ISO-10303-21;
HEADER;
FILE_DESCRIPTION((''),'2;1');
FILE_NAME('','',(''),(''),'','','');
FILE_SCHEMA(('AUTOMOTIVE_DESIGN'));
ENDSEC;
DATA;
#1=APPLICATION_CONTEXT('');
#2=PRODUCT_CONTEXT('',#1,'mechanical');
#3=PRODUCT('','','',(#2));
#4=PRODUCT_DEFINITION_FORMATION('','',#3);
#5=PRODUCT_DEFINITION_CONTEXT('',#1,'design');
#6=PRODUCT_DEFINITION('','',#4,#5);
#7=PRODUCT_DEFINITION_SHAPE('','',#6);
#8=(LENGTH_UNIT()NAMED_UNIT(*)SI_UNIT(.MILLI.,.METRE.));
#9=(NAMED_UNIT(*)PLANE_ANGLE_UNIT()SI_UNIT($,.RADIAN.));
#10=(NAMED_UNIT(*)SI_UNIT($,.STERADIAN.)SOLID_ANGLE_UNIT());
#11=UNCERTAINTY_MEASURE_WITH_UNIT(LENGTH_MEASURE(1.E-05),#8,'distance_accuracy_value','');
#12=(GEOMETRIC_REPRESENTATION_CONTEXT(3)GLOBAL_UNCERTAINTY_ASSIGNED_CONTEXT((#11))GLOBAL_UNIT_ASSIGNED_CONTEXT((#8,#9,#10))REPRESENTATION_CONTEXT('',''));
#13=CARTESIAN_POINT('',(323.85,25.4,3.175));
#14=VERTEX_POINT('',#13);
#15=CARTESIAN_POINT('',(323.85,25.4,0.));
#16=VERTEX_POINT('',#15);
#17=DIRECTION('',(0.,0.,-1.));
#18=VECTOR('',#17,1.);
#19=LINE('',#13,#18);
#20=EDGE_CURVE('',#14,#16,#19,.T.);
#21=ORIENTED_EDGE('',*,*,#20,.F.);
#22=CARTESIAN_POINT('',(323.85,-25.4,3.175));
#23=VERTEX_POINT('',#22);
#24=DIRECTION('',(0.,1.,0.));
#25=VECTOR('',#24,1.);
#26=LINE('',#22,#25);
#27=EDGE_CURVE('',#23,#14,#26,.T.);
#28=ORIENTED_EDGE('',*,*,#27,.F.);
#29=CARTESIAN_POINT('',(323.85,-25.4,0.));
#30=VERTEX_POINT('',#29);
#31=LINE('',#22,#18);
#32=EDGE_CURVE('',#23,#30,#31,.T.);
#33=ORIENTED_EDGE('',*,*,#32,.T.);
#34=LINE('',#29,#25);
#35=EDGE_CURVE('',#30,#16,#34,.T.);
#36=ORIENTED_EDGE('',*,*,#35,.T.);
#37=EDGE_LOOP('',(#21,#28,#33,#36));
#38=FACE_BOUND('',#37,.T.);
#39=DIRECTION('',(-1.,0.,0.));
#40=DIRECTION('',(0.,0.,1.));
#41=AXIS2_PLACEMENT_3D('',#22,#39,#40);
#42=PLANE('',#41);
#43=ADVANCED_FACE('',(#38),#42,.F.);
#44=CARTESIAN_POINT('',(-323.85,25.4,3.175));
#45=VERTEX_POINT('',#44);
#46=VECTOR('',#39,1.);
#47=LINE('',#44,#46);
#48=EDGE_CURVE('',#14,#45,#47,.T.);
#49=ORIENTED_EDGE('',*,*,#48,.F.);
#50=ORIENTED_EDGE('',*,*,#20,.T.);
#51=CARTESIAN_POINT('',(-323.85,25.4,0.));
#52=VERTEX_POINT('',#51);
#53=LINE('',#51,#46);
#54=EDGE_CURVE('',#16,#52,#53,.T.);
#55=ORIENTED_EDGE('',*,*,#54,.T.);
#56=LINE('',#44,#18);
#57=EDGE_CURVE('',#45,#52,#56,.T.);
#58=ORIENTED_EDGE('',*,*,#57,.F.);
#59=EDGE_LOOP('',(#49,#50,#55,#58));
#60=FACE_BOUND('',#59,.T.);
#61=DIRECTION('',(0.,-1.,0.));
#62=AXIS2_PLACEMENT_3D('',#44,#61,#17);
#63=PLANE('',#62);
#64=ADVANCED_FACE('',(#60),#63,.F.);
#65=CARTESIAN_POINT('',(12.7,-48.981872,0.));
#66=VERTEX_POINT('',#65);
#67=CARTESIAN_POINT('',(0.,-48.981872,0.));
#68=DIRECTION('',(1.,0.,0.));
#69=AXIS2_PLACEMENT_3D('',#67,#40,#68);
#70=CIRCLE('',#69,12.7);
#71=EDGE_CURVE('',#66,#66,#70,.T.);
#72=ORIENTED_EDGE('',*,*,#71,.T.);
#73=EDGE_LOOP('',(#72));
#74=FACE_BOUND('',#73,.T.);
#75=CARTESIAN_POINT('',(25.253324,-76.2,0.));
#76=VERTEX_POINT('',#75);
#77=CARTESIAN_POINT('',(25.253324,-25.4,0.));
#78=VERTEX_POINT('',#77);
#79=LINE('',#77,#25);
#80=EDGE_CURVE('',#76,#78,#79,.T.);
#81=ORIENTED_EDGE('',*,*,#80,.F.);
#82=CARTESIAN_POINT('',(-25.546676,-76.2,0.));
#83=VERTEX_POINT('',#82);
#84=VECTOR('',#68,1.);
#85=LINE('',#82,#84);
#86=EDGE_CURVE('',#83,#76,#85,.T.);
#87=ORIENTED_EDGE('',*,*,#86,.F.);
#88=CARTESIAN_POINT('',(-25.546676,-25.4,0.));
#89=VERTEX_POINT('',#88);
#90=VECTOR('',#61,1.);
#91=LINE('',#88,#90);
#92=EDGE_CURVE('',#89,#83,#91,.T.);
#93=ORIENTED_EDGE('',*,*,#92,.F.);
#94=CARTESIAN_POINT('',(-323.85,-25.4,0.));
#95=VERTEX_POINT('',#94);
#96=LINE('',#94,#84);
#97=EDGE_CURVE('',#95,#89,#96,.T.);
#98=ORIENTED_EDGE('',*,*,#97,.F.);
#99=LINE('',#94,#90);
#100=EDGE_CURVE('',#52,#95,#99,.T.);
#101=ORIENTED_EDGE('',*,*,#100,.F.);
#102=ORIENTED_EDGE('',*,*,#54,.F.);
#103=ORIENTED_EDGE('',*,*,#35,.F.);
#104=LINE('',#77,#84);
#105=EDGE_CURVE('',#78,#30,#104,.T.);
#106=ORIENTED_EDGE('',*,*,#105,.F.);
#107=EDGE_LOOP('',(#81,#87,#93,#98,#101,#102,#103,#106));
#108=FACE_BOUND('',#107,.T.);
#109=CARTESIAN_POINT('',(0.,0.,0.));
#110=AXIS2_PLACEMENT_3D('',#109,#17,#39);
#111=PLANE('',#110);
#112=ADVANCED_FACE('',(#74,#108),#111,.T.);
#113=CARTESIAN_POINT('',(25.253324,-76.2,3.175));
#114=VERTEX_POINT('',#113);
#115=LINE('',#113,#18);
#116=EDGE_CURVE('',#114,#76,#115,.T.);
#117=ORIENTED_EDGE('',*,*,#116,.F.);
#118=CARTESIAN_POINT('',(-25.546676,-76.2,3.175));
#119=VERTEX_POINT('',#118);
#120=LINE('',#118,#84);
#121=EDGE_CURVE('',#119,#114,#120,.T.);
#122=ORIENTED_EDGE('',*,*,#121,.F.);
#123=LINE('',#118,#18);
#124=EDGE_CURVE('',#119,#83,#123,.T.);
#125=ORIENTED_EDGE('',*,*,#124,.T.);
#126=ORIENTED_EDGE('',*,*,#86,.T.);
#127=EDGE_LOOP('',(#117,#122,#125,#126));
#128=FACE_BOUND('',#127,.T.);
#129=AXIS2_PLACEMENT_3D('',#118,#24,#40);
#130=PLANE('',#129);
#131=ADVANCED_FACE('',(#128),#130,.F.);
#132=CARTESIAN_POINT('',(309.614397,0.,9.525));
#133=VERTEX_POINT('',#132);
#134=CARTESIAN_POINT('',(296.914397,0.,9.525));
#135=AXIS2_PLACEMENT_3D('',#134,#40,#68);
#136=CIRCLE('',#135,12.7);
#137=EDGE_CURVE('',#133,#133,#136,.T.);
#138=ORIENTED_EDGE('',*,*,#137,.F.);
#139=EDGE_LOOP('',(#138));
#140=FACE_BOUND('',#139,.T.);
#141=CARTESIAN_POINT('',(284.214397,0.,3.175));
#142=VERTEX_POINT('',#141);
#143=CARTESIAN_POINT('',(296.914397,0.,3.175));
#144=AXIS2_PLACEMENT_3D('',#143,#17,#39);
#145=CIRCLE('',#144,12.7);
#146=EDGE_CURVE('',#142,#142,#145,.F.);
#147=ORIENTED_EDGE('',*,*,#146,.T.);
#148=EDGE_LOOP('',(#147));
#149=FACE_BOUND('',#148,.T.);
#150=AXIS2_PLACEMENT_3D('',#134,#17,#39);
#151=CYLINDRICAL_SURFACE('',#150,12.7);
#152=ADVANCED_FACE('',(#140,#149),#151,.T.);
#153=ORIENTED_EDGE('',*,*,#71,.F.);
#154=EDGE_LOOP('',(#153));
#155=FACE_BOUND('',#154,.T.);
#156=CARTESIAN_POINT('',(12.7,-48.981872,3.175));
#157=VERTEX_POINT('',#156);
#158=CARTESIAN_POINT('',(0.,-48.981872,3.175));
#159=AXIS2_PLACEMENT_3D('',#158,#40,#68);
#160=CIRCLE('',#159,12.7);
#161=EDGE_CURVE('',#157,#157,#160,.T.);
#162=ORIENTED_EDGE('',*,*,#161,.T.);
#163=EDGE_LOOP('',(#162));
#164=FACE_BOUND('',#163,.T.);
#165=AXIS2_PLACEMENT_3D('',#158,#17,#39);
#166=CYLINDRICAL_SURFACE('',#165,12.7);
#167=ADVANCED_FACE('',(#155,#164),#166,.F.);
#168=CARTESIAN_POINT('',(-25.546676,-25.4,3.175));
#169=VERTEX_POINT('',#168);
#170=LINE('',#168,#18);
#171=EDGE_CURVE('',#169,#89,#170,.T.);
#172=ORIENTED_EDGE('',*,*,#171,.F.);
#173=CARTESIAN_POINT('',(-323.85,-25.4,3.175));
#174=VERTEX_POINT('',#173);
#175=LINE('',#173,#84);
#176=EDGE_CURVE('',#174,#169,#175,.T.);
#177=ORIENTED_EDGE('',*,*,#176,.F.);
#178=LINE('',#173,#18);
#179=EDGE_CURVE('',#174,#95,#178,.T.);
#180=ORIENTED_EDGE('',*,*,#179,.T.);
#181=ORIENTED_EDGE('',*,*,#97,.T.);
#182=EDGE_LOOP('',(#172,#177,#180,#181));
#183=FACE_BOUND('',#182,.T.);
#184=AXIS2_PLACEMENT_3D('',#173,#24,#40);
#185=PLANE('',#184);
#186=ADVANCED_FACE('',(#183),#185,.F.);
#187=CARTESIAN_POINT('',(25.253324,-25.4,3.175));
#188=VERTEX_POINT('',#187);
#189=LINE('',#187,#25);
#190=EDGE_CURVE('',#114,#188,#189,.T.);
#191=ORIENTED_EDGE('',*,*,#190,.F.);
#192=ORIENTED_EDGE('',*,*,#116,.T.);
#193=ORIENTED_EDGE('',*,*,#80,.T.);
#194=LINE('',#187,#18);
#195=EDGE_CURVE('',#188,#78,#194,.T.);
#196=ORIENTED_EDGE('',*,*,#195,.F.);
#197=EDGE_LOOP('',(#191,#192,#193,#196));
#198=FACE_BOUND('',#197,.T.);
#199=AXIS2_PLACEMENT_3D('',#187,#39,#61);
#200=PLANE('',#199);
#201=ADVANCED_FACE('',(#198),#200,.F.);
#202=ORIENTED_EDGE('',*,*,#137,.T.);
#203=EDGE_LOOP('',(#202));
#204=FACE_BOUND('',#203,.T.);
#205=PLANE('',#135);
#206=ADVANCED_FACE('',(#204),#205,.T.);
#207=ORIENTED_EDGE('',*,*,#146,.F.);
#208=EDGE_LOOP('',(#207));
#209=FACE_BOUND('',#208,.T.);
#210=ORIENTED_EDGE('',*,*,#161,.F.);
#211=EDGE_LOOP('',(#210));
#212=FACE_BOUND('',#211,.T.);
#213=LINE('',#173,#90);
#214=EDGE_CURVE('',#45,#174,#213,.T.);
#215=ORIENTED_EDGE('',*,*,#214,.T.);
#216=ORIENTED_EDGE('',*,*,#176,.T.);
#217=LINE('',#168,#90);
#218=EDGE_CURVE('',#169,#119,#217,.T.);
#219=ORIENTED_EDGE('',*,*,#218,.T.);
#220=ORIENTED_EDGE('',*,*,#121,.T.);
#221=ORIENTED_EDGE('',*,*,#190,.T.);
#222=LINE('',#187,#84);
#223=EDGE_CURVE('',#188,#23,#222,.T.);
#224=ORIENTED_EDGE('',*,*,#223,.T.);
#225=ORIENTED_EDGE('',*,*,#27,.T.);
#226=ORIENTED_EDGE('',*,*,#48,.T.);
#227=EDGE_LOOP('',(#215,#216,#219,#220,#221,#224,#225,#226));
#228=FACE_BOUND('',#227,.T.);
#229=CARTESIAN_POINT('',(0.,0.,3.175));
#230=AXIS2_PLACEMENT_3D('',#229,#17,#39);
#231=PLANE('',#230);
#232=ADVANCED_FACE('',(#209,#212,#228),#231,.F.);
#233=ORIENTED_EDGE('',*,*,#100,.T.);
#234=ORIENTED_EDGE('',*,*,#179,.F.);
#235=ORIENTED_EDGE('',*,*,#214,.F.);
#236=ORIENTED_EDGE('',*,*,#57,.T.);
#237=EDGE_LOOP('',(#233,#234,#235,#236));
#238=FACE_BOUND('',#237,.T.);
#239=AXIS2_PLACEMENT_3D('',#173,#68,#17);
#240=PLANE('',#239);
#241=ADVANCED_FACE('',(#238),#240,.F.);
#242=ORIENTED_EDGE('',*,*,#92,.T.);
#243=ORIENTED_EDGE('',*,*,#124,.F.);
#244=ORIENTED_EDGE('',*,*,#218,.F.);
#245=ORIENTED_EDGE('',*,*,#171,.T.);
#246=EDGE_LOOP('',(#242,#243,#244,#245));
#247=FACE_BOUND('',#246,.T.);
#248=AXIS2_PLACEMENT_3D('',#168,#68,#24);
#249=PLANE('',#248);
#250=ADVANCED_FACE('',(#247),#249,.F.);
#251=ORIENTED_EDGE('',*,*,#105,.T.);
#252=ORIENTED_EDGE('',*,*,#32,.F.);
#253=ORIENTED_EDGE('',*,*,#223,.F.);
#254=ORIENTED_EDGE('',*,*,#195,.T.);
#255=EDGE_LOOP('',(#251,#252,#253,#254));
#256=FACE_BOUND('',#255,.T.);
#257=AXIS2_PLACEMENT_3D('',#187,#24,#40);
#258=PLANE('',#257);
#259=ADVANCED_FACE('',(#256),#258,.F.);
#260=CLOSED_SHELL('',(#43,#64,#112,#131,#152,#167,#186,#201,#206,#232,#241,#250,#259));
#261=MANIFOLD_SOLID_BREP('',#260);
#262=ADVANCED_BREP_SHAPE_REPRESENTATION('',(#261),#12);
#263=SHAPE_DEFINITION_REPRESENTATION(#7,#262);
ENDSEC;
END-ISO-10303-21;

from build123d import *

# Parameters (mm, degrees)
SKETCH1_R           = 12.7
BOSS_EXTRUDE1_DEPTH = 3.175
SKETCH2_R           = 12.7
BOSS_EXTRUDE2_DEPTH = 6.35


with BuildPart() as part:
    # Sketch1 → Boss-Extrude1 (new body)
    with BuildSketch(Plane.XY):
        Polygon((-323.85, -25.4), (-25.546675569, -25.4), (-25.546675569, -76.2), (25.253324431, -76.2), (25.253324431, -25.4), (323.85, -25.4), (323.85, 25.4), (-323.85, 25.4), align=None)
        with Locations((0, -48.981872029)):
            Circle(SKETCH1_R, mode=Mode.SUBTRACT)
    extrude(amount=BOSS_EXTRUDE1_DEPTH)

    # Sketch2 → Boss-Extrude2 (add)
    with BuildSketch(Plane.XY.offset(3.175)):
        with Locations(Location((296.914396716, 0, 0), (0, 0, 180))):
            Circle(SKETCH2_R)
    extrude(amount=BOSS_EXTRUDE2_DEPTH)


solid = part.part
